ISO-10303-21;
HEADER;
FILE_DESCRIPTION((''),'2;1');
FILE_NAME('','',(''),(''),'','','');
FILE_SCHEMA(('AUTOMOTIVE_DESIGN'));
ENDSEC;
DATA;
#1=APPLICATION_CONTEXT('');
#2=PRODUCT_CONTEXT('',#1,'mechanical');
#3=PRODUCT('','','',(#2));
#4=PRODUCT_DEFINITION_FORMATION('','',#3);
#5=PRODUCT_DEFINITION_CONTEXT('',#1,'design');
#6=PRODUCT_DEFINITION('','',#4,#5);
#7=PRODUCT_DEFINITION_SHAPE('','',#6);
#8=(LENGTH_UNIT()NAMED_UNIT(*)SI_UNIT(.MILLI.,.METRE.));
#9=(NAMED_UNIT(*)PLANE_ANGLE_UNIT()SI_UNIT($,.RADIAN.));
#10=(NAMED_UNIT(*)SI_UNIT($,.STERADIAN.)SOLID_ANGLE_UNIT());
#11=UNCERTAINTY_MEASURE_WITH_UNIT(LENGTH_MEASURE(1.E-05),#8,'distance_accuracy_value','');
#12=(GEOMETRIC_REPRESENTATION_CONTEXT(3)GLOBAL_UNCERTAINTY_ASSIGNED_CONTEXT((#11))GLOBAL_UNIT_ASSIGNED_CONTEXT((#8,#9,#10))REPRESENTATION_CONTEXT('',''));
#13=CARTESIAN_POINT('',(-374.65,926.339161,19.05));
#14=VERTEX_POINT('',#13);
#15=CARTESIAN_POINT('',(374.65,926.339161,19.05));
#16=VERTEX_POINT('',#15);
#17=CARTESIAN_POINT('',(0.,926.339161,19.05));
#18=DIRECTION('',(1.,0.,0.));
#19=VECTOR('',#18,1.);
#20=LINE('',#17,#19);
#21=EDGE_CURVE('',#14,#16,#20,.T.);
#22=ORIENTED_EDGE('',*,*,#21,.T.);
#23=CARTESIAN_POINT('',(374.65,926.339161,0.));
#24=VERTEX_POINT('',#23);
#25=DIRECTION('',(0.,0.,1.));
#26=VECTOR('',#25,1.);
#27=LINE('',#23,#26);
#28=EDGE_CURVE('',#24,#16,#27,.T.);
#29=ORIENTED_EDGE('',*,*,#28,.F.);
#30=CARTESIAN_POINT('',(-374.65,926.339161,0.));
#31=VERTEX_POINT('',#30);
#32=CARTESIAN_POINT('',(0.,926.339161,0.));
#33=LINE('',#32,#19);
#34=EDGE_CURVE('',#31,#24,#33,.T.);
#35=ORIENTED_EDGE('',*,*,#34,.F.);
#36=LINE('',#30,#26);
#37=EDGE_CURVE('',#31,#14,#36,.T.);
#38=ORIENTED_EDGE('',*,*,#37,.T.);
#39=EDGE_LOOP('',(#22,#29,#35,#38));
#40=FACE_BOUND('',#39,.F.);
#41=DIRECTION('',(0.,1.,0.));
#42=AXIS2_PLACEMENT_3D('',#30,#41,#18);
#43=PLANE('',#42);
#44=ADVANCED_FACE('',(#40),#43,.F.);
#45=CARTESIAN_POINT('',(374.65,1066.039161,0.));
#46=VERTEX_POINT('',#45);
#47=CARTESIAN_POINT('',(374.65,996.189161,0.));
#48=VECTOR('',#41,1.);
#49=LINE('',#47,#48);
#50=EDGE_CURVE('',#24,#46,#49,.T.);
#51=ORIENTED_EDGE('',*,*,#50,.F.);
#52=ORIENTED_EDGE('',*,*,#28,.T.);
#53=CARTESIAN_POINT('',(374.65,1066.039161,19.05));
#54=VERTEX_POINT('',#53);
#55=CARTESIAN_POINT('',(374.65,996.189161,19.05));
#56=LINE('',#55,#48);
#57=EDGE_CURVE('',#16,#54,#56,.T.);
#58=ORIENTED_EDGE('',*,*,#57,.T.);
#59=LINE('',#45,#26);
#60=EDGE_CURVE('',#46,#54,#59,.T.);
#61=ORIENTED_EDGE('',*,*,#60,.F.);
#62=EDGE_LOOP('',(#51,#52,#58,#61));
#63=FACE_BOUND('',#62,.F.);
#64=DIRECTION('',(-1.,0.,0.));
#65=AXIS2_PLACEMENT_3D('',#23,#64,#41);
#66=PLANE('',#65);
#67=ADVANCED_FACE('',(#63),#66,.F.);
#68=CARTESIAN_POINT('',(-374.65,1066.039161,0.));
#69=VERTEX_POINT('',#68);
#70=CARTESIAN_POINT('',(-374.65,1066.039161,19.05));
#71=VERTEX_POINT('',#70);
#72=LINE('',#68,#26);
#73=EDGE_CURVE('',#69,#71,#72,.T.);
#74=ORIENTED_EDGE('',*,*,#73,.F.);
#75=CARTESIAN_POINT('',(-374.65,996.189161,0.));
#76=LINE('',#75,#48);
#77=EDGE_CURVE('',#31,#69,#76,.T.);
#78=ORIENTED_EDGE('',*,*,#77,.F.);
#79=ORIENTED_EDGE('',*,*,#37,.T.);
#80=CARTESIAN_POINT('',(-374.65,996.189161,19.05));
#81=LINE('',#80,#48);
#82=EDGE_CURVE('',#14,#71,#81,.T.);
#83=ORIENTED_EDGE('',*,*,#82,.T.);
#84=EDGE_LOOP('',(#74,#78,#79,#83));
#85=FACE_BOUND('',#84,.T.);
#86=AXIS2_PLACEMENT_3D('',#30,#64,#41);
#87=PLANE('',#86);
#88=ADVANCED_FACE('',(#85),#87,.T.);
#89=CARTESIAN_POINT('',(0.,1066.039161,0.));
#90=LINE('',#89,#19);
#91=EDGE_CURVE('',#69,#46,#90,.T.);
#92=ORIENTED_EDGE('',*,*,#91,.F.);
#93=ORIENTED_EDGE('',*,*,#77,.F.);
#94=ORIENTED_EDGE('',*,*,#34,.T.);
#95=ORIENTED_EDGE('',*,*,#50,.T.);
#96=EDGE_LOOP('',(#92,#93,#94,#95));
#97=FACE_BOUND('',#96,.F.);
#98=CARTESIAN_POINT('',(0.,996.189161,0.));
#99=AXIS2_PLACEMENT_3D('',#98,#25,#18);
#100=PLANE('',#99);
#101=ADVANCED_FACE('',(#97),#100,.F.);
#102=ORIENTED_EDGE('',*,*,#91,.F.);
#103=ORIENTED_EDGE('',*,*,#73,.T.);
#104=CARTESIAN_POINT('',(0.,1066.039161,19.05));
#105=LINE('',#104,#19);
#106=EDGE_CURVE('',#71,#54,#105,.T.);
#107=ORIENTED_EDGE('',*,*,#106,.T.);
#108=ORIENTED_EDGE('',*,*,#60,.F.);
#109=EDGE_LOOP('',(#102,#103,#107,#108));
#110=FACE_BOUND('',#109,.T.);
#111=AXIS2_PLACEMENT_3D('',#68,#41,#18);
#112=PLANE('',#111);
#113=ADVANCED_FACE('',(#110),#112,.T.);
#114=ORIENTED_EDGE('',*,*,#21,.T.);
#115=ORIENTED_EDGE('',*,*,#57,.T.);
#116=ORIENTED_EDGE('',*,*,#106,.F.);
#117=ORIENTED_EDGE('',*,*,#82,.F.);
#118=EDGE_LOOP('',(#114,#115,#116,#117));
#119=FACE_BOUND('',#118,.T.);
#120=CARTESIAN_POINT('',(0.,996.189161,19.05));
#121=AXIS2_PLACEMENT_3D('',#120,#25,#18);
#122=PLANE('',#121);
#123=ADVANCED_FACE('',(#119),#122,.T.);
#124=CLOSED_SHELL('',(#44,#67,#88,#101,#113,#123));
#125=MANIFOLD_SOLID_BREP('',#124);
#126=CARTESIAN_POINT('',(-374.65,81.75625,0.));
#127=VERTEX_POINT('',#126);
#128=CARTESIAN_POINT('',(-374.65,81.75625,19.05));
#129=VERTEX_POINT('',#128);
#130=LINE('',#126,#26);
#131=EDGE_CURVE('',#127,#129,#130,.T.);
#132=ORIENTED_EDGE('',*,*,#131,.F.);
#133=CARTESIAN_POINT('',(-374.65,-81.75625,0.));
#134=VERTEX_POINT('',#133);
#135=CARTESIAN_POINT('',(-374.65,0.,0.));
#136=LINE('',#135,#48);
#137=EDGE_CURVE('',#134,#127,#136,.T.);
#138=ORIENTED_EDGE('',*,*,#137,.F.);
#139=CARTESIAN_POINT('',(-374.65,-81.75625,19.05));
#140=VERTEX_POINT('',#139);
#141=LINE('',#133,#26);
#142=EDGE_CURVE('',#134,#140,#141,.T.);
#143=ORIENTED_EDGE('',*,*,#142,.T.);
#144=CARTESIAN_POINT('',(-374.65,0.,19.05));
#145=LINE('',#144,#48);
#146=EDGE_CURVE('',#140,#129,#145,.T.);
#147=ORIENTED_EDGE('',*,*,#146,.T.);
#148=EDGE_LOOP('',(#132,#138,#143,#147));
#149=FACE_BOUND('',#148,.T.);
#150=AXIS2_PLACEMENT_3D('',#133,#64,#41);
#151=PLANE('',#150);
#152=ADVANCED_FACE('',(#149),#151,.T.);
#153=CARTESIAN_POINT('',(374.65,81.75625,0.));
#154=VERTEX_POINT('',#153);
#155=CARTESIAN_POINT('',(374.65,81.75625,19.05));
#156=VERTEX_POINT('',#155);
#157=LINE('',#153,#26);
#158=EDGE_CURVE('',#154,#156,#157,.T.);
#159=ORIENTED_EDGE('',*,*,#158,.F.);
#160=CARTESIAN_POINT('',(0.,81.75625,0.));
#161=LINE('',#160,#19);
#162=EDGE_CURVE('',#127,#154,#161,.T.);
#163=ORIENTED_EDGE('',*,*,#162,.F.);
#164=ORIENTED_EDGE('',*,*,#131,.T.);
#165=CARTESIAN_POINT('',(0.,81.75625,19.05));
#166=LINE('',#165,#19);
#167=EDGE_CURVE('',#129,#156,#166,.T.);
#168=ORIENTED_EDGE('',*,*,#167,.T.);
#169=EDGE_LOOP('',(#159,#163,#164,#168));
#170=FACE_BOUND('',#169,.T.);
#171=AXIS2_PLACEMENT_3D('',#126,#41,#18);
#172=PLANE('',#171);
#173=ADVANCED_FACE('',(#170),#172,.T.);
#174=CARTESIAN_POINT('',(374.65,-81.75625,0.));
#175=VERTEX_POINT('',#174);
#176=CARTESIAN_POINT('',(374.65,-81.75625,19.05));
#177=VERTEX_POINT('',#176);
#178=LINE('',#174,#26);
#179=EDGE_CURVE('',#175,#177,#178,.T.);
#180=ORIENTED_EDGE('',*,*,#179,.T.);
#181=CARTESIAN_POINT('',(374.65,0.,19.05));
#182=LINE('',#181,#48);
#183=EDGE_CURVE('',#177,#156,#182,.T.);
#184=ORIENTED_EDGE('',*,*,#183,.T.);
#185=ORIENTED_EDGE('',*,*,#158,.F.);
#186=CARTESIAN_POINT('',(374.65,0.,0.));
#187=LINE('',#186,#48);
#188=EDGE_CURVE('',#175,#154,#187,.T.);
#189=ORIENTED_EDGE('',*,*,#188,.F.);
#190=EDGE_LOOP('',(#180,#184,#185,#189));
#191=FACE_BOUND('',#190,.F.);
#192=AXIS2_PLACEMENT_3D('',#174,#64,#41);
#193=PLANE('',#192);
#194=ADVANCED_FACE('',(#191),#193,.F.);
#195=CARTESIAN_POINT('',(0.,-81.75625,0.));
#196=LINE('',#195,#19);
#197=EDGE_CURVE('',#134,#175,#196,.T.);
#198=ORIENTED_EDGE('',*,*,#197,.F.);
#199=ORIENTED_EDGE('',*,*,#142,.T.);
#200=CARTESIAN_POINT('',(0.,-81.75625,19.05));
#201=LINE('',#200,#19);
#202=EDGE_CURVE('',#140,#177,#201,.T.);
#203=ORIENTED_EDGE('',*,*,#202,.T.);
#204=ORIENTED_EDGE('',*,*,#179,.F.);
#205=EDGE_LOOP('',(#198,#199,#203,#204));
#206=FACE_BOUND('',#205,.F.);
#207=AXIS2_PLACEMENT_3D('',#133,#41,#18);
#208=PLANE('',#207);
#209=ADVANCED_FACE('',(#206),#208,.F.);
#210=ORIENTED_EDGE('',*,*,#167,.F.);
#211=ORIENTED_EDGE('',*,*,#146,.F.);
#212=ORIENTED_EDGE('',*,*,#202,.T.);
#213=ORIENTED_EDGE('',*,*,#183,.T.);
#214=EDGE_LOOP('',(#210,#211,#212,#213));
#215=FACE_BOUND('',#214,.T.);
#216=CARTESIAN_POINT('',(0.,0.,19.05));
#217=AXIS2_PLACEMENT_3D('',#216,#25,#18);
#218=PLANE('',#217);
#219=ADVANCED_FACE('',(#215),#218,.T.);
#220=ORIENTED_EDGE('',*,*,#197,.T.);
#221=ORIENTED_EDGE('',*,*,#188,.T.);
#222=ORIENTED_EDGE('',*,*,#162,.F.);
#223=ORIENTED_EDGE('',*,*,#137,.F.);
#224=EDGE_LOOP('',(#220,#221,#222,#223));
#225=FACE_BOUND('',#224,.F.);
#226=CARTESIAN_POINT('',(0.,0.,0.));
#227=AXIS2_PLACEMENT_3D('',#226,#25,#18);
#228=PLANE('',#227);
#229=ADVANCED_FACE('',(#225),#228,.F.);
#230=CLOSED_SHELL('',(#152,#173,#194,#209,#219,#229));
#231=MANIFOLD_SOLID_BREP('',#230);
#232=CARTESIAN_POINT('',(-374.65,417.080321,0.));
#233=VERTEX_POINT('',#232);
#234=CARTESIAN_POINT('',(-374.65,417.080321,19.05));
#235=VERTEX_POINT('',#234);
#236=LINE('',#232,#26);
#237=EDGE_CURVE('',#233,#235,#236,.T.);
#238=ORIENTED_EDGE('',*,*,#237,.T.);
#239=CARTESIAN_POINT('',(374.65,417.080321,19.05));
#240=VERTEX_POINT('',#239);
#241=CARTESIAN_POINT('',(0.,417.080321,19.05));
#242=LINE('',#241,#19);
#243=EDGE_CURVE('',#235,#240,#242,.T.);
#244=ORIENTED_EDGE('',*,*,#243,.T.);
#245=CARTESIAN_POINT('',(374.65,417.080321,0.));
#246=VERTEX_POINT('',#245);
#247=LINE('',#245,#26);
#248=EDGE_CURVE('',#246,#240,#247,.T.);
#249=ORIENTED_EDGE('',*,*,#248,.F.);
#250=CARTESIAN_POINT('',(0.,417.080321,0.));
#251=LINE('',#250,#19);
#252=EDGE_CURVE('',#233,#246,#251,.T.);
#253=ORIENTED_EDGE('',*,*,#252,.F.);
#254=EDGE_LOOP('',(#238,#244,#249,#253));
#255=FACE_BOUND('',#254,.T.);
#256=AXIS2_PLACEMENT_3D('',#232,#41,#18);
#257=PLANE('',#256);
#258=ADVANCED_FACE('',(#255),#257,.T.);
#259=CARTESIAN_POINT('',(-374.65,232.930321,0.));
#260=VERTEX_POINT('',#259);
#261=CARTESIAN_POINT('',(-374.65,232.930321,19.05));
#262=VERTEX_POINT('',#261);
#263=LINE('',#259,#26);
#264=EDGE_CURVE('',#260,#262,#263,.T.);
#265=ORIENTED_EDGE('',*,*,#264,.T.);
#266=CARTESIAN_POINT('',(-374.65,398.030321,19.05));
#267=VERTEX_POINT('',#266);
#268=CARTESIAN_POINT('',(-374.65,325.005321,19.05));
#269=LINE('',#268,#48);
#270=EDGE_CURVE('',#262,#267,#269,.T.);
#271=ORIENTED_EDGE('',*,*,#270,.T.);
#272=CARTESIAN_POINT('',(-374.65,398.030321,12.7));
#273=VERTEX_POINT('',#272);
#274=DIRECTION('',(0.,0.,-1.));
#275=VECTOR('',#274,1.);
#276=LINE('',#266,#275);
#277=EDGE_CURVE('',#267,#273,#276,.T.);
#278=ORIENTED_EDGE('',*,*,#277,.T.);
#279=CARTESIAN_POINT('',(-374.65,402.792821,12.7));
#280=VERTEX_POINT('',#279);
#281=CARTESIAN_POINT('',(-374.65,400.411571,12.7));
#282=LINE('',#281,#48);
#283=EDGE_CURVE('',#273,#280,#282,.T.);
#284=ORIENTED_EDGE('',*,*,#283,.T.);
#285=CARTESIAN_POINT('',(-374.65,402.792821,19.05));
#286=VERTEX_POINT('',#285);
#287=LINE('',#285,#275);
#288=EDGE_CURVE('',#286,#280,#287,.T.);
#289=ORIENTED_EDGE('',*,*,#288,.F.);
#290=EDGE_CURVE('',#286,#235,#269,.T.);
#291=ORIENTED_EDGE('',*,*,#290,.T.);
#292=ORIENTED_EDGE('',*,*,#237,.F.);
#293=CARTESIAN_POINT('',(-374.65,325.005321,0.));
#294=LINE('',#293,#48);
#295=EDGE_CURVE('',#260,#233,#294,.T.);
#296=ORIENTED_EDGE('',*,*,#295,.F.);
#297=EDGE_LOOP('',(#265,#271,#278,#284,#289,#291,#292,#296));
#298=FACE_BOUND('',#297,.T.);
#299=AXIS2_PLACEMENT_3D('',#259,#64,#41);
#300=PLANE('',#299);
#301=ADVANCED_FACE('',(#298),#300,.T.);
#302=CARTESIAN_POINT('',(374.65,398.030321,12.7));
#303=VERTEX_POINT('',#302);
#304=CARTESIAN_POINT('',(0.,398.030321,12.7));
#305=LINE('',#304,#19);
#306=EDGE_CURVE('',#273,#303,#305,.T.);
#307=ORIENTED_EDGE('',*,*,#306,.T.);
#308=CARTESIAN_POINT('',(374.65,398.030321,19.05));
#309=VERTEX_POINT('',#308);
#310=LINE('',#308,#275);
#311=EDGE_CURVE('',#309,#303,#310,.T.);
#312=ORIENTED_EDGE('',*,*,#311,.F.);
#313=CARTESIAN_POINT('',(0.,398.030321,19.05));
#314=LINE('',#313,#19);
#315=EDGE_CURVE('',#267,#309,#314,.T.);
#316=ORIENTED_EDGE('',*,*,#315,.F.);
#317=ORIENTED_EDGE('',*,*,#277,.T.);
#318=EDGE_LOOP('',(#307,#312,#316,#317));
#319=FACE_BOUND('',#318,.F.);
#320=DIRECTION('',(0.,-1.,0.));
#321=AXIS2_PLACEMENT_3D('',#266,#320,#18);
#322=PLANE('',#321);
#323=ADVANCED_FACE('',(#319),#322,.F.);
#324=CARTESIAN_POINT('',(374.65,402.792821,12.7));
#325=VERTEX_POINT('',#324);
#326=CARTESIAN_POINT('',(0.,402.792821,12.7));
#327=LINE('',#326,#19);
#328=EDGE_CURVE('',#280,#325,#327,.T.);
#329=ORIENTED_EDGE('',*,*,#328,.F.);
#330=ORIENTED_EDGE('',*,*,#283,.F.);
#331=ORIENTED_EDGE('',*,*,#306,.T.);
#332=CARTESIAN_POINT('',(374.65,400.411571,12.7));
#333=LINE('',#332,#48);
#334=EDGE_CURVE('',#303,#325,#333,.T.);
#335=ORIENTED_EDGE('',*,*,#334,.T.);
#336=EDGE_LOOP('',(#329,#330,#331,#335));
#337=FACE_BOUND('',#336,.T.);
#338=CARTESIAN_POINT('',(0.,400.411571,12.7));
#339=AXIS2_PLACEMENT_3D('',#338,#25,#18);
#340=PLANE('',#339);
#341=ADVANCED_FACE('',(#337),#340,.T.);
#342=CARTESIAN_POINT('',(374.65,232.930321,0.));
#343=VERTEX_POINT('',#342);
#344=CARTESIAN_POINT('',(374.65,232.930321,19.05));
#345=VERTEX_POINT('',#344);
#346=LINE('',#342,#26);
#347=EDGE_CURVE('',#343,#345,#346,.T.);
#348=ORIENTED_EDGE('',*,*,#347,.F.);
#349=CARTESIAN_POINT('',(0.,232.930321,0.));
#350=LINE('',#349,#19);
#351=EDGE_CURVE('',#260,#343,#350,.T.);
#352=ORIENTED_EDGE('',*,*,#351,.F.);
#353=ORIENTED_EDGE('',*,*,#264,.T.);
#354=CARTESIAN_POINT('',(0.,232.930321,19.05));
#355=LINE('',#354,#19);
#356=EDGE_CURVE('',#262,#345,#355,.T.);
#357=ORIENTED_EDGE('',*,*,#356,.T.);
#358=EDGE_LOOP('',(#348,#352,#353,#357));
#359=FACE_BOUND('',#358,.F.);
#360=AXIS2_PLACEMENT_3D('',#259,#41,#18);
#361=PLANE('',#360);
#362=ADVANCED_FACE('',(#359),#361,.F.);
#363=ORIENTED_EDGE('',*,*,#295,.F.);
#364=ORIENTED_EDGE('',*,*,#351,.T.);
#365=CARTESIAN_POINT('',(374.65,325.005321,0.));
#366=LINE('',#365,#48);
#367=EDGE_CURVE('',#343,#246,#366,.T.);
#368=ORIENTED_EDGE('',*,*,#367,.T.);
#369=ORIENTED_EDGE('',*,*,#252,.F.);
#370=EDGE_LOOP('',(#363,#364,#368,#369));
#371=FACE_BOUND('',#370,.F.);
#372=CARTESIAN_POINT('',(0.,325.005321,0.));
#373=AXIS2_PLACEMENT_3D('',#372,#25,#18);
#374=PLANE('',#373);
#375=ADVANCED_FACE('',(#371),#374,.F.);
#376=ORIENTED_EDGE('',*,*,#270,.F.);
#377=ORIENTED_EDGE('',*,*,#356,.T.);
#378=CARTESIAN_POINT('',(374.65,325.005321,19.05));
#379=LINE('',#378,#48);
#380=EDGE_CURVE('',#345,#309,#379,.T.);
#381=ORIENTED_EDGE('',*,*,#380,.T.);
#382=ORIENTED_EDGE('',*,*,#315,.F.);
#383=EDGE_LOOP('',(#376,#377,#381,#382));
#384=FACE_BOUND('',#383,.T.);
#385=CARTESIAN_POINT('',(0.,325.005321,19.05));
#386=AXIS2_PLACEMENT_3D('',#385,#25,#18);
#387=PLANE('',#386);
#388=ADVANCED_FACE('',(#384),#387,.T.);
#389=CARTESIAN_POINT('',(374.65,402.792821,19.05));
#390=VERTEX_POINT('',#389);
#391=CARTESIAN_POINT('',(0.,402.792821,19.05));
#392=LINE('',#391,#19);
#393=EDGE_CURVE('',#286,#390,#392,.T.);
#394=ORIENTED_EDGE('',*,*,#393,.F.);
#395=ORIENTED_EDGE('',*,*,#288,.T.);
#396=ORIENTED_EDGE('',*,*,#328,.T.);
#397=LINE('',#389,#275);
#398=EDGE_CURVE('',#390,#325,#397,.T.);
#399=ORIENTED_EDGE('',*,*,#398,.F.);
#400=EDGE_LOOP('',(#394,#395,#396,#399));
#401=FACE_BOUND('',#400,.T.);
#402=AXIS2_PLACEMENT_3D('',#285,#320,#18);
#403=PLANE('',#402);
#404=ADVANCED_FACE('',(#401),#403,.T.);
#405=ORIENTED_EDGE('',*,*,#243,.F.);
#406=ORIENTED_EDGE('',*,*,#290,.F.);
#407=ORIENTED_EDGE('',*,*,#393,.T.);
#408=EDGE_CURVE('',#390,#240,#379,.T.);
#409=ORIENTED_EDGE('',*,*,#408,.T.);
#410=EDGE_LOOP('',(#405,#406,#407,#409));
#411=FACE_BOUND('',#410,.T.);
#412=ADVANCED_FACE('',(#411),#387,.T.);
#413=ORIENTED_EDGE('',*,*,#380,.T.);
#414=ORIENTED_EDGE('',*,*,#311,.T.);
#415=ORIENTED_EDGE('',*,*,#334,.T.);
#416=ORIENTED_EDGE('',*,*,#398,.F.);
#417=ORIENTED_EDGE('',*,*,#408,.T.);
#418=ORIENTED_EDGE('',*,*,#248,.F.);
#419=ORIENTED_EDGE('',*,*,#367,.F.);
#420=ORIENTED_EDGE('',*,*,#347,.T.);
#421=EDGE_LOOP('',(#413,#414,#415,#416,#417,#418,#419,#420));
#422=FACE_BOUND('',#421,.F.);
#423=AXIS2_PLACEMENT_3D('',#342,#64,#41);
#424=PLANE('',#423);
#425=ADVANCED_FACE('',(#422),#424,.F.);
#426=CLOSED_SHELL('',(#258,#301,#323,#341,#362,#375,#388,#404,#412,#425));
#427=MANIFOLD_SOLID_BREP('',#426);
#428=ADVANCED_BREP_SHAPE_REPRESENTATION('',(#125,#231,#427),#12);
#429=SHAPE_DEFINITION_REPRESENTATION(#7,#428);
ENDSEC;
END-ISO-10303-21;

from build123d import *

# Parameters (mm, degrees)
F0_W     = 749.3
F0_H     = 163.5125
F1_DEPTH = 19.05
F2_W     = 749.3
F2_H     = 184.15
F3_DEPTH = 19.05
F4_W     = 749.3
F4_H     = 4.7625
F5_DEPTH = 6.35
F6_W     = 749.3
F6_H     = 139.7
F7_DEPTH = 19.05


with BuildPart() as f1:
    # F0 (on Top) → F1 (new body)
    with BuildSketch(Plane.XY):
        Rectangle(F0_W, F0_H)
    extrude(amount=F1_DEPTH)


with BuildPart() as f3:
    # F2 (on Top) → F3 (new body)
    with BuildSketch(Plane.XY):
        with Locations((0, 325.005321)):
            Rectangle(F2_W, F2_H)
    extrude(amount=F3_DEPTH)

    # F4 (on face) → F5 (cut)
    with BuildSketch(Plane.XY.offset(19.05)):
        with Locations((0, 400.411571)):
            Rectangle(F4_W, F4_H)
    extrude(amount=-F5_DEPTH, mode=Mode.SUBTRACT)


with BuildPart() as f7:
    # F6 (on Top) → F7 (new body)
    with BuildSketch(Plane.XY):
        with Locations((0, 996.189161)):
            Rectangle(F6_W, F6_H)
    extrude(amount=F7_DEPTH)


solid = Compound([f1.part, f3.part, f7.part])
